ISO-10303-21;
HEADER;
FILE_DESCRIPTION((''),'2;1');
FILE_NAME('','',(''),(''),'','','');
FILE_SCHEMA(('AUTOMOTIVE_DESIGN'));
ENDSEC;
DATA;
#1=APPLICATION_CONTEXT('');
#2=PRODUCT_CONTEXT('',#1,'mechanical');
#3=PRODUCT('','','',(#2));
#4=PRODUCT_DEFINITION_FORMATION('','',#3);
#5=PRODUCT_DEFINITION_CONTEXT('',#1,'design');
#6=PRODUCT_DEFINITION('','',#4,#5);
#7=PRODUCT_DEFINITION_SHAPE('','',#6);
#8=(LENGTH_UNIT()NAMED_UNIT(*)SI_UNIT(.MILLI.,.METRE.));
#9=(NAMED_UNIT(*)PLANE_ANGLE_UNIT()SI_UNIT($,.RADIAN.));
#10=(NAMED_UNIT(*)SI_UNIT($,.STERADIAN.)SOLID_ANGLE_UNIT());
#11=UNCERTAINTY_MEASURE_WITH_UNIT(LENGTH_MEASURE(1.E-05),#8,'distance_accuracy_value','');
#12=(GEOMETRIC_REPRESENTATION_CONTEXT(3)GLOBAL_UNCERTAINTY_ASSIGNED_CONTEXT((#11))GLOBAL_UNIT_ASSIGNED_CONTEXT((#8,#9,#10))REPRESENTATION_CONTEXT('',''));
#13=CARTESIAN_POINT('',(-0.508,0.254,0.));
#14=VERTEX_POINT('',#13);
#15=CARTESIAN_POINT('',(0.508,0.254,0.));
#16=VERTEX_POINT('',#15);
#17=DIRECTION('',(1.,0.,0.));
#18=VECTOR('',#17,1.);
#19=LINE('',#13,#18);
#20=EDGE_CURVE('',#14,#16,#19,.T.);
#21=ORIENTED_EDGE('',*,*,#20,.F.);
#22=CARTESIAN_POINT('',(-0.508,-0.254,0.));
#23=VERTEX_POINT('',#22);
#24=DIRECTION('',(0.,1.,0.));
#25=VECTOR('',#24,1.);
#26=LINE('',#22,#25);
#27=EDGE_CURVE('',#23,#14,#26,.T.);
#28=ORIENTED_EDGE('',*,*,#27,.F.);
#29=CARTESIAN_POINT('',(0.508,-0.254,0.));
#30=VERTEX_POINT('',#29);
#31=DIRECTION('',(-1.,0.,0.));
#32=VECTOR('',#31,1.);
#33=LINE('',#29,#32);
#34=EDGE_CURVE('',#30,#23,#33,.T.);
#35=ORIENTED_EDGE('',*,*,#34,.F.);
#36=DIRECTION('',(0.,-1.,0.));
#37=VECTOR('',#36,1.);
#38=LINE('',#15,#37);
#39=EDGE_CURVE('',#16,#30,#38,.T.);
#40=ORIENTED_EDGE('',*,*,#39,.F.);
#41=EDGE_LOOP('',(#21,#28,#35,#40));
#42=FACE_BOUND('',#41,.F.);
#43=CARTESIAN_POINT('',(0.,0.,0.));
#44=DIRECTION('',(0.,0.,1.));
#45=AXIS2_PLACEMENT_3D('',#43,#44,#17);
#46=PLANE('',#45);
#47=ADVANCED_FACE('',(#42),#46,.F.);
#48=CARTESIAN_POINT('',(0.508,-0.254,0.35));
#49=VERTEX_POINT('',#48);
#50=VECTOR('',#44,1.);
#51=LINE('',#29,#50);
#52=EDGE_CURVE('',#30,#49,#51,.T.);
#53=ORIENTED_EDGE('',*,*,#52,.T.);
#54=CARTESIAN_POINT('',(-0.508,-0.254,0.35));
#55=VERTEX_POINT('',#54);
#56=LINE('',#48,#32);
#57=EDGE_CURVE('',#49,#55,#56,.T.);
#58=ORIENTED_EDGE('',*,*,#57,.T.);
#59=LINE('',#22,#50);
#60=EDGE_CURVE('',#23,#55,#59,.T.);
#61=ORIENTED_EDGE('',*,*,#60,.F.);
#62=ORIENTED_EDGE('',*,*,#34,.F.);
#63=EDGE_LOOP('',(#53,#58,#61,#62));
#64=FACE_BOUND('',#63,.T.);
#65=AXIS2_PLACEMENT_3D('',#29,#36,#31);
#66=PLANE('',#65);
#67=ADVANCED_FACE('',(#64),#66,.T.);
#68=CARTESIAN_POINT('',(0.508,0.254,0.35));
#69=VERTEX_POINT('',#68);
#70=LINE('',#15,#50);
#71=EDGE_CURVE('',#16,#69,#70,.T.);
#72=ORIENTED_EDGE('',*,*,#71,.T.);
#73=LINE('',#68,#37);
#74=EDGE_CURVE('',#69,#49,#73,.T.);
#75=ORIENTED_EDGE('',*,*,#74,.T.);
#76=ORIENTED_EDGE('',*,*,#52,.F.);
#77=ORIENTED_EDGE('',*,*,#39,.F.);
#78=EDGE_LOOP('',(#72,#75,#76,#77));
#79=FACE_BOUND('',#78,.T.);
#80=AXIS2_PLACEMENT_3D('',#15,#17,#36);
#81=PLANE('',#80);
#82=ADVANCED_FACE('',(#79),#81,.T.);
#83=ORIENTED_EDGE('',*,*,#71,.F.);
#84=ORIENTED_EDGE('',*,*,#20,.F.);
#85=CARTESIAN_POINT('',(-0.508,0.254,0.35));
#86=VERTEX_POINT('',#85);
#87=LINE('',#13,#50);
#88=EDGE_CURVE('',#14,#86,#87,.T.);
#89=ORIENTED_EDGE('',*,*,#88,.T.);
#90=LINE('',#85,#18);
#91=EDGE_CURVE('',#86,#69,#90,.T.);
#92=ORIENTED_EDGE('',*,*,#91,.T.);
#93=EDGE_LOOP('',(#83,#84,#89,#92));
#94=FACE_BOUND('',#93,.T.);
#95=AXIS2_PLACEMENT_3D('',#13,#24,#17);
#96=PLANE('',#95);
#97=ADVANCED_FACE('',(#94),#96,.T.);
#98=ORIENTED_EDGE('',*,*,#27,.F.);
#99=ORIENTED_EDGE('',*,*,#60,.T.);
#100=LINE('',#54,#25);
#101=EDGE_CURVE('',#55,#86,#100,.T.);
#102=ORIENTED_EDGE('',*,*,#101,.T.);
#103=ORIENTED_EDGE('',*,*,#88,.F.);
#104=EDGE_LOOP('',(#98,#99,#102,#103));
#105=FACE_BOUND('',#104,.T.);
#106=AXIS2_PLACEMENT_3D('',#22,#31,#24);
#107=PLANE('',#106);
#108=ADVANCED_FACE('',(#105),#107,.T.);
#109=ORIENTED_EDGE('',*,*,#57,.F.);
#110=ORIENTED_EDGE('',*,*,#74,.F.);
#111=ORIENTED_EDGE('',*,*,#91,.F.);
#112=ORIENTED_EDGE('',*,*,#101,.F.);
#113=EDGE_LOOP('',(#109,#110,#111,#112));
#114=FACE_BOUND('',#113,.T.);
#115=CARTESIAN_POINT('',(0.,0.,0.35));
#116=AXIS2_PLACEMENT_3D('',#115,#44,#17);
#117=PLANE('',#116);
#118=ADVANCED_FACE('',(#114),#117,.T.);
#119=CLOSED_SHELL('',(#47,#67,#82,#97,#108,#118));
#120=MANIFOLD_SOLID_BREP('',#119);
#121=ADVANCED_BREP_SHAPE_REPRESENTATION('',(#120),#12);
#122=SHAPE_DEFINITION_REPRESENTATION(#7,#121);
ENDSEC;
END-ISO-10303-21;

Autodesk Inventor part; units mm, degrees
ref_plane "YZ Plane" through (0, 0, 0) normal (1, 0, 0) x (0, 1, 0)
ref_plane "XZ Plane" through (0, 0, 0) normal (0, 1, 0) x (-1, 0, 0)
ref_plane "XY Plane" through (0, 0, 0) normal (0, 0, 1) x (1, 0, 0)
sketch "R0402, 1M_149" plane through (0, 0, 0) normal (0, 0, 1) x (1, 0, 0)
  line L0 (0.508, 0.254) -> (0.508, -0.254)
  line L1 (0.508, -0.254) -> (-0.508, -0.254)
  line L2 (-0.508, -0.254) -> (-0.508, 0.254)
  line L3 (-0.508, 0.254) -> (0.508, 0.254)
extrude "Extrusion1" add sketch "R0402, 1M_149" along normal blind 0.35
properties part number "1M"
